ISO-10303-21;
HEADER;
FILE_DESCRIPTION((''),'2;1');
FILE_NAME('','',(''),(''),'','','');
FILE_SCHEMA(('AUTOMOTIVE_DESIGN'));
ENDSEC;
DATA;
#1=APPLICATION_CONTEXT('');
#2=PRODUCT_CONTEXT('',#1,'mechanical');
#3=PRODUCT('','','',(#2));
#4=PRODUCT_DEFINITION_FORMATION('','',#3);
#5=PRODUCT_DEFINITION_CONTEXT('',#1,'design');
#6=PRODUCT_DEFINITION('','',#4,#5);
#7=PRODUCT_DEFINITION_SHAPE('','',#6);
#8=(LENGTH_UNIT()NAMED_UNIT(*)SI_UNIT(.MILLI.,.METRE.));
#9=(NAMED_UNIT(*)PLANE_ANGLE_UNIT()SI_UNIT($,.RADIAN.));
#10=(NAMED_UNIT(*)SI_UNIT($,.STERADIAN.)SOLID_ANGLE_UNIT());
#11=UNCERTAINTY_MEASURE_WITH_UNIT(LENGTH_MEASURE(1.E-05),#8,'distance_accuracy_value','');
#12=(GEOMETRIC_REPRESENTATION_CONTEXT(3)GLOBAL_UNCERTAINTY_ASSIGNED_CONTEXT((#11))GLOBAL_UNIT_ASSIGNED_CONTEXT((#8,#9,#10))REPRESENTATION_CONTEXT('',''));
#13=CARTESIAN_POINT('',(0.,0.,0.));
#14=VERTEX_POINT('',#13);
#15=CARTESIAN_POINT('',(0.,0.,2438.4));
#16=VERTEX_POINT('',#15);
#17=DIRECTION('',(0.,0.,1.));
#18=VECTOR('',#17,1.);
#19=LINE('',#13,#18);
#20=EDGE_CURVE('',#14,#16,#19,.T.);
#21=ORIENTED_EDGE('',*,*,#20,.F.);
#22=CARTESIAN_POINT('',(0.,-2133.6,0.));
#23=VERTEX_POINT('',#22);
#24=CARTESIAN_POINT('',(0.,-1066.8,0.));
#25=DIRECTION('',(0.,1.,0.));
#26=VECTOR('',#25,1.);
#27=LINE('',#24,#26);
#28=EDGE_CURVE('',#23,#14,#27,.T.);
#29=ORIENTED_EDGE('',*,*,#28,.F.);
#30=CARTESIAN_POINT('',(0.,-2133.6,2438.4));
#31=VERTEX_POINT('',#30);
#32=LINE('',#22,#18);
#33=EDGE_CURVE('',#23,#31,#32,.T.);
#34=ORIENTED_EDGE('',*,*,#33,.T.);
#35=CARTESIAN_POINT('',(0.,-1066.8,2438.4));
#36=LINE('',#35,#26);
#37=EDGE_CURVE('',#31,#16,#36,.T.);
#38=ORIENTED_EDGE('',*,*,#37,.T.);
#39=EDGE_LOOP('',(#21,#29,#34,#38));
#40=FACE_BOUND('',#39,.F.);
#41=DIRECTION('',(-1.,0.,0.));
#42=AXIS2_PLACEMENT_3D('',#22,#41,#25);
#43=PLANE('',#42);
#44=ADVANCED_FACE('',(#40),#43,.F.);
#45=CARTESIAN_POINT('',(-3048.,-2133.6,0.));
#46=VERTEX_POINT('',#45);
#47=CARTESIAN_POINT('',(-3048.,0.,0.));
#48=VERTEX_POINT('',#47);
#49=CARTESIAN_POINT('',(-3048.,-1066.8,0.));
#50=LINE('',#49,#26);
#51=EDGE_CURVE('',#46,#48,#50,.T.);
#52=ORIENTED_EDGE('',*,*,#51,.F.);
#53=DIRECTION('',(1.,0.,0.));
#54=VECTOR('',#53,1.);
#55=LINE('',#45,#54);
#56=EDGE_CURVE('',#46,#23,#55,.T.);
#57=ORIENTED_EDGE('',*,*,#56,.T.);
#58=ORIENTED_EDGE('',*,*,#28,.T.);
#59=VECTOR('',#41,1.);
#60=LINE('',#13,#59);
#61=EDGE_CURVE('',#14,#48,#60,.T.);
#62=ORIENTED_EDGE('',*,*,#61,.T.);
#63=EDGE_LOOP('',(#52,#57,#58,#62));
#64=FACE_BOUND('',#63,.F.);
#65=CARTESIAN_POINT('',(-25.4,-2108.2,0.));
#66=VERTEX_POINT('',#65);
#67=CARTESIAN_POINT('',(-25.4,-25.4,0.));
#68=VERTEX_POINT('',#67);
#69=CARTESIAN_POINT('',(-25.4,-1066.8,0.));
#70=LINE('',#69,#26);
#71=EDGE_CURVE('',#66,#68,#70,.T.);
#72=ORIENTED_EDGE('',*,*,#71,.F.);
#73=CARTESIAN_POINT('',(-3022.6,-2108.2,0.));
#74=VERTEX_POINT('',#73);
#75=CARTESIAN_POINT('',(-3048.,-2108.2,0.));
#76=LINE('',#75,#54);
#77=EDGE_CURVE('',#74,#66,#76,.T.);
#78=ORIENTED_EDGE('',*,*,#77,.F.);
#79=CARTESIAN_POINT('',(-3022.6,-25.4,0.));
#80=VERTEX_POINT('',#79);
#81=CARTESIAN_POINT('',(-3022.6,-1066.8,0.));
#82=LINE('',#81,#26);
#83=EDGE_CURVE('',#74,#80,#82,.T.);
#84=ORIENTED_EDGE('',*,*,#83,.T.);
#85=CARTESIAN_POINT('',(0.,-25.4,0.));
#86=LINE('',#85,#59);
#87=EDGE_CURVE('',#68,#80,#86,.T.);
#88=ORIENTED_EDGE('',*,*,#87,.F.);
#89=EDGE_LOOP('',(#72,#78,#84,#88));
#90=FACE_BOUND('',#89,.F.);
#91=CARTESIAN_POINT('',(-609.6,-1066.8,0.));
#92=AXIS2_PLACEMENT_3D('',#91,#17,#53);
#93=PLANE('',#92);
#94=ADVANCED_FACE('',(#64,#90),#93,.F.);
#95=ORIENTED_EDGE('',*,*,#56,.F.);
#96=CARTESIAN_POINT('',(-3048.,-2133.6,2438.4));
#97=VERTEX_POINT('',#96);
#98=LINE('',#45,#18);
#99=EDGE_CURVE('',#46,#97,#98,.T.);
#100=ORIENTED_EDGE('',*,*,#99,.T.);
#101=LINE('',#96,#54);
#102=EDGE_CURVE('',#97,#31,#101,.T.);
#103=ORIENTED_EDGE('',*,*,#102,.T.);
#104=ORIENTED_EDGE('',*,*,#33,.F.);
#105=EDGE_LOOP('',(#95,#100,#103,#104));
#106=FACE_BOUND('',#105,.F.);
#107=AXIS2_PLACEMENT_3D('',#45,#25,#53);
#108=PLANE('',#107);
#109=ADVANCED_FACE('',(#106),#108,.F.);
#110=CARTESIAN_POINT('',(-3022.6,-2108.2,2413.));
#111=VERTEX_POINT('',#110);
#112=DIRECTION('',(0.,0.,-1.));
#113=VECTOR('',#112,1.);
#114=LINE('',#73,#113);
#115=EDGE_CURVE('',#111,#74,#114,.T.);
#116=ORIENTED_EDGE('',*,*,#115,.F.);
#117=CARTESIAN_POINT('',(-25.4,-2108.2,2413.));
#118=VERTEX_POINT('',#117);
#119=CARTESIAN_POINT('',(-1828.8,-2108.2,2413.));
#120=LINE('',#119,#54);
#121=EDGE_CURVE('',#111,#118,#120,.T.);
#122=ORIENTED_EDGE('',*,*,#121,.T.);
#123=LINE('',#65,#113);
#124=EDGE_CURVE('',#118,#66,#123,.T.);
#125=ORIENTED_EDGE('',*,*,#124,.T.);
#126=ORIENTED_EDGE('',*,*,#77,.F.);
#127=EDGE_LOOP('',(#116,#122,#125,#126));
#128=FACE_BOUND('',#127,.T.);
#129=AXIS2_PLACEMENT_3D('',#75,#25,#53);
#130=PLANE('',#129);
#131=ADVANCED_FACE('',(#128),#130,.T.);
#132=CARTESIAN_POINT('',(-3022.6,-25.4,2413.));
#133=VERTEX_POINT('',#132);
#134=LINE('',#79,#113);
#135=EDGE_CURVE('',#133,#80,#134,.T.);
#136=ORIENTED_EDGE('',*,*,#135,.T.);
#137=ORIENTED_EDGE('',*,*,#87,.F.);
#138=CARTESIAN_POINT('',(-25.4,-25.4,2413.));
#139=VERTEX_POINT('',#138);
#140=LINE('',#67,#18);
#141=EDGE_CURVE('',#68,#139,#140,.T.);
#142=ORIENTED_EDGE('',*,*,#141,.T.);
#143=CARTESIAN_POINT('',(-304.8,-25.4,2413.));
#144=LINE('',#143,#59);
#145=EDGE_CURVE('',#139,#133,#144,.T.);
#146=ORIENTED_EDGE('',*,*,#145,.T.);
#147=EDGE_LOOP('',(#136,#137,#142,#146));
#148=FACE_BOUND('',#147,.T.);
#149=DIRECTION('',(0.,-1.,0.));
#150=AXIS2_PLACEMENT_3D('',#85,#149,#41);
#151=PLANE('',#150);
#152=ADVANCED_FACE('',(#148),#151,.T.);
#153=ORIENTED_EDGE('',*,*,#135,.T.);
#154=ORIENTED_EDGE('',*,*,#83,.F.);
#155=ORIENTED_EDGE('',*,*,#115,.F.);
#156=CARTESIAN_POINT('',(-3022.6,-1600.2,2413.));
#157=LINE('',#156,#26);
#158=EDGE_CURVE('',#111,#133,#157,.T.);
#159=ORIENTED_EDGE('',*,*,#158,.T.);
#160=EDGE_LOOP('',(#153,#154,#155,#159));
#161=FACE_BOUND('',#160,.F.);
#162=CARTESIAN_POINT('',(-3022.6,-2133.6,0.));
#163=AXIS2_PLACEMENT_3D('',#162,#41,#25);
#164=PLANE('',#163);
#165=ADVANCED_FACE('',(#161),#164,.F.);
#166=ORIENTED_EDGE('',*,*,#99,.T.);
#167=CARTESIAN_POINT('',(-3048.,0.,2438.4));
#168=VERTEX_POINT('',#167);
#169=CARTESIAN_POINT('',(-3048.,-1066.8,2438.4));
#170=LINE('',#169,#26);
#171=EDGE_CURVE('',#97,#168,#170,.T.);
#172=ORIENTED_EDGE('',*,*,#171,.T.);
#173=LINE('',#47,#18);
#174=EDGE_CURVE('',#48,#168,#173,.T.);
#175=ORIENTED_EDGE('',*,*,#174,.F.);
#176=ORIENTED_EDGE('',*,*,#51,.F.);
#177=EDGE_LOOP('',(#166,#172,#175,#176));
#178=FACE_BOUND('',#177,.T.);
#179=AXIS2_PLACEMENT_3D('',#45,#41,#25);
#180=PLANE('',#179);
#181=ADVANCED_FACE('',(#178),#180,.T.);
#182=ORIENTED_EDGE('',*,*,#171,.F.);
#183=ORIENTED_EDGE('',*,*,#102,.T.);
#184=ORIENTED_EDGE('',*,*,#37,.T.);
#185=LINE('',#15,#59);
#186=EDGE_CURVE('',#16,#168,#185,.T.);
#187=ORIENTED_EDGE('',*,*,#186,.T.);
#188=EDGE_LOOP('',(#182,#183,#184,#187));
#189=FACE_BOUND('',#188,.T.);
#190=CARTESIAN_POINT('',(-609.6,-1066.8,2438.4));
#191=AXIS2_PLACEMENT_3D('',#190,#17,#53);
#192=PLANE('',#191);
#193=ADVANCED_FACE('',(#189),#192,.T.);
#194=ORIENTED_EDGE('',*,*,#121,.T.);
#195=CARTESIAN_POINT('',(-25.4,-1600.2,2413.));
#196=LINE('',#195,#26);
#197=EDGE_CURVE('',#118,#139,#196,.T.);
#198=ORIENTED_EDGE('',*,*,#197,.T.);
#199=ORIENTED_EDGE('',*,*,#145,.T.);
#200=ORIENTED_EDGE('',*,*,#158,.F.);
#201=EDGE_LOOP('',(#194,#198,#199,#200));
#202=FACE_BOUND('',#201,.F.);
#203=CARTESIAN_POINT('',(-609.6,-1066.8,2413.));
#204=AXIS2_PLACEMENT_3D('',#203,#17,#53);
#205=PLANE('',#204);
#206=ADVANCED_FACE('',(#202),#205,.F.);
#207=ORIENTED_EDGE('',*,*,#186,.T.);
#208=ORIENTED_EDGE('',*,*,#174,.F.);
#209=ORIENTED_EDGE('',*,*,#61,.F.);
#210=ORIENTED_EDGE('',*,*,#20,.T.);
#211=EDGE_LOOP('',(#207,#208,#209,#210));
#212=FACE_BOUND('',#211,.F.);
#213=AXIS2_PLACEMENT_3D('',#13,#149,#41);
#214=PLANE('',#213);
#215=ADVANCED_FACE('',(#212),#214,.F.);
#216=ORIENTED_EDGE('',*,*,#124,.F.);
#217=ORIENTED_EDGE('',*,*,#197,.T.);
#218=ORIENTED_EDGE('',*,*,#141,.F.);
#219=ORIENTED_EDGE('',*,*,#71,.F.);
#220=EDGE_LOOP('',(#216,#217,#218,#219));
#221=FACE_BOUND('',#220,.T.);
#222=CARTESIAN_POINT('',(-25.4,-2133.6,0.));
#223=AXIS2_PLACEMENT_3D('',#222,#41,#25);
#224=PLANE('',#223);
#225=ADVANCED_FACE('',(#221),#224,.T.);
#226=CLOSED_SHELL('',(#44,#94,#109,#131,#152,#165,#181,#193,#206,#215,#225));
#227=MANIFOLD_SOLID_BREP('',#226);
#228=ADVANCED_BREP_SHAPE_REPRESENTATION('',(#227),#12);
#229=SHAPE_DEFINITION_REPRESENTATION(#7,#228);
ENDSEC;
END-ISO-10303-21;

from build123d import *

# Parameters (mm, degrees)
F0_W     = 1219.2
F0_H     = 2133.6
F0_W_2   = 609.6
F1_DEPTH = 2438.4
F2_T     = -25.4


with BuildPart() as f1:
    # F0 (on Top) → F1 (new body)
    with BuildSketch(Plane.XY):
        with Locations((-609.6, -1066.8)):
            Rectangle(F0_W, F0_H)
        with Locations((-1828.8, -1066.8)):
            Rectangle(F0_W, F0_H)
        with Locations((-2743.2, -1066.8)):
            Rectangle(F0_W_2, F0_H)
    extrude(amount=F1_DEPTH)

    # F2
    f2_openings = [f1.faces().sort_by_distance(p)[0] for p in [
        (-1524, -1066.8, 0),
    ]]
    offset(amount=F2_T, openings=f2_openings)


solid = f1.part
